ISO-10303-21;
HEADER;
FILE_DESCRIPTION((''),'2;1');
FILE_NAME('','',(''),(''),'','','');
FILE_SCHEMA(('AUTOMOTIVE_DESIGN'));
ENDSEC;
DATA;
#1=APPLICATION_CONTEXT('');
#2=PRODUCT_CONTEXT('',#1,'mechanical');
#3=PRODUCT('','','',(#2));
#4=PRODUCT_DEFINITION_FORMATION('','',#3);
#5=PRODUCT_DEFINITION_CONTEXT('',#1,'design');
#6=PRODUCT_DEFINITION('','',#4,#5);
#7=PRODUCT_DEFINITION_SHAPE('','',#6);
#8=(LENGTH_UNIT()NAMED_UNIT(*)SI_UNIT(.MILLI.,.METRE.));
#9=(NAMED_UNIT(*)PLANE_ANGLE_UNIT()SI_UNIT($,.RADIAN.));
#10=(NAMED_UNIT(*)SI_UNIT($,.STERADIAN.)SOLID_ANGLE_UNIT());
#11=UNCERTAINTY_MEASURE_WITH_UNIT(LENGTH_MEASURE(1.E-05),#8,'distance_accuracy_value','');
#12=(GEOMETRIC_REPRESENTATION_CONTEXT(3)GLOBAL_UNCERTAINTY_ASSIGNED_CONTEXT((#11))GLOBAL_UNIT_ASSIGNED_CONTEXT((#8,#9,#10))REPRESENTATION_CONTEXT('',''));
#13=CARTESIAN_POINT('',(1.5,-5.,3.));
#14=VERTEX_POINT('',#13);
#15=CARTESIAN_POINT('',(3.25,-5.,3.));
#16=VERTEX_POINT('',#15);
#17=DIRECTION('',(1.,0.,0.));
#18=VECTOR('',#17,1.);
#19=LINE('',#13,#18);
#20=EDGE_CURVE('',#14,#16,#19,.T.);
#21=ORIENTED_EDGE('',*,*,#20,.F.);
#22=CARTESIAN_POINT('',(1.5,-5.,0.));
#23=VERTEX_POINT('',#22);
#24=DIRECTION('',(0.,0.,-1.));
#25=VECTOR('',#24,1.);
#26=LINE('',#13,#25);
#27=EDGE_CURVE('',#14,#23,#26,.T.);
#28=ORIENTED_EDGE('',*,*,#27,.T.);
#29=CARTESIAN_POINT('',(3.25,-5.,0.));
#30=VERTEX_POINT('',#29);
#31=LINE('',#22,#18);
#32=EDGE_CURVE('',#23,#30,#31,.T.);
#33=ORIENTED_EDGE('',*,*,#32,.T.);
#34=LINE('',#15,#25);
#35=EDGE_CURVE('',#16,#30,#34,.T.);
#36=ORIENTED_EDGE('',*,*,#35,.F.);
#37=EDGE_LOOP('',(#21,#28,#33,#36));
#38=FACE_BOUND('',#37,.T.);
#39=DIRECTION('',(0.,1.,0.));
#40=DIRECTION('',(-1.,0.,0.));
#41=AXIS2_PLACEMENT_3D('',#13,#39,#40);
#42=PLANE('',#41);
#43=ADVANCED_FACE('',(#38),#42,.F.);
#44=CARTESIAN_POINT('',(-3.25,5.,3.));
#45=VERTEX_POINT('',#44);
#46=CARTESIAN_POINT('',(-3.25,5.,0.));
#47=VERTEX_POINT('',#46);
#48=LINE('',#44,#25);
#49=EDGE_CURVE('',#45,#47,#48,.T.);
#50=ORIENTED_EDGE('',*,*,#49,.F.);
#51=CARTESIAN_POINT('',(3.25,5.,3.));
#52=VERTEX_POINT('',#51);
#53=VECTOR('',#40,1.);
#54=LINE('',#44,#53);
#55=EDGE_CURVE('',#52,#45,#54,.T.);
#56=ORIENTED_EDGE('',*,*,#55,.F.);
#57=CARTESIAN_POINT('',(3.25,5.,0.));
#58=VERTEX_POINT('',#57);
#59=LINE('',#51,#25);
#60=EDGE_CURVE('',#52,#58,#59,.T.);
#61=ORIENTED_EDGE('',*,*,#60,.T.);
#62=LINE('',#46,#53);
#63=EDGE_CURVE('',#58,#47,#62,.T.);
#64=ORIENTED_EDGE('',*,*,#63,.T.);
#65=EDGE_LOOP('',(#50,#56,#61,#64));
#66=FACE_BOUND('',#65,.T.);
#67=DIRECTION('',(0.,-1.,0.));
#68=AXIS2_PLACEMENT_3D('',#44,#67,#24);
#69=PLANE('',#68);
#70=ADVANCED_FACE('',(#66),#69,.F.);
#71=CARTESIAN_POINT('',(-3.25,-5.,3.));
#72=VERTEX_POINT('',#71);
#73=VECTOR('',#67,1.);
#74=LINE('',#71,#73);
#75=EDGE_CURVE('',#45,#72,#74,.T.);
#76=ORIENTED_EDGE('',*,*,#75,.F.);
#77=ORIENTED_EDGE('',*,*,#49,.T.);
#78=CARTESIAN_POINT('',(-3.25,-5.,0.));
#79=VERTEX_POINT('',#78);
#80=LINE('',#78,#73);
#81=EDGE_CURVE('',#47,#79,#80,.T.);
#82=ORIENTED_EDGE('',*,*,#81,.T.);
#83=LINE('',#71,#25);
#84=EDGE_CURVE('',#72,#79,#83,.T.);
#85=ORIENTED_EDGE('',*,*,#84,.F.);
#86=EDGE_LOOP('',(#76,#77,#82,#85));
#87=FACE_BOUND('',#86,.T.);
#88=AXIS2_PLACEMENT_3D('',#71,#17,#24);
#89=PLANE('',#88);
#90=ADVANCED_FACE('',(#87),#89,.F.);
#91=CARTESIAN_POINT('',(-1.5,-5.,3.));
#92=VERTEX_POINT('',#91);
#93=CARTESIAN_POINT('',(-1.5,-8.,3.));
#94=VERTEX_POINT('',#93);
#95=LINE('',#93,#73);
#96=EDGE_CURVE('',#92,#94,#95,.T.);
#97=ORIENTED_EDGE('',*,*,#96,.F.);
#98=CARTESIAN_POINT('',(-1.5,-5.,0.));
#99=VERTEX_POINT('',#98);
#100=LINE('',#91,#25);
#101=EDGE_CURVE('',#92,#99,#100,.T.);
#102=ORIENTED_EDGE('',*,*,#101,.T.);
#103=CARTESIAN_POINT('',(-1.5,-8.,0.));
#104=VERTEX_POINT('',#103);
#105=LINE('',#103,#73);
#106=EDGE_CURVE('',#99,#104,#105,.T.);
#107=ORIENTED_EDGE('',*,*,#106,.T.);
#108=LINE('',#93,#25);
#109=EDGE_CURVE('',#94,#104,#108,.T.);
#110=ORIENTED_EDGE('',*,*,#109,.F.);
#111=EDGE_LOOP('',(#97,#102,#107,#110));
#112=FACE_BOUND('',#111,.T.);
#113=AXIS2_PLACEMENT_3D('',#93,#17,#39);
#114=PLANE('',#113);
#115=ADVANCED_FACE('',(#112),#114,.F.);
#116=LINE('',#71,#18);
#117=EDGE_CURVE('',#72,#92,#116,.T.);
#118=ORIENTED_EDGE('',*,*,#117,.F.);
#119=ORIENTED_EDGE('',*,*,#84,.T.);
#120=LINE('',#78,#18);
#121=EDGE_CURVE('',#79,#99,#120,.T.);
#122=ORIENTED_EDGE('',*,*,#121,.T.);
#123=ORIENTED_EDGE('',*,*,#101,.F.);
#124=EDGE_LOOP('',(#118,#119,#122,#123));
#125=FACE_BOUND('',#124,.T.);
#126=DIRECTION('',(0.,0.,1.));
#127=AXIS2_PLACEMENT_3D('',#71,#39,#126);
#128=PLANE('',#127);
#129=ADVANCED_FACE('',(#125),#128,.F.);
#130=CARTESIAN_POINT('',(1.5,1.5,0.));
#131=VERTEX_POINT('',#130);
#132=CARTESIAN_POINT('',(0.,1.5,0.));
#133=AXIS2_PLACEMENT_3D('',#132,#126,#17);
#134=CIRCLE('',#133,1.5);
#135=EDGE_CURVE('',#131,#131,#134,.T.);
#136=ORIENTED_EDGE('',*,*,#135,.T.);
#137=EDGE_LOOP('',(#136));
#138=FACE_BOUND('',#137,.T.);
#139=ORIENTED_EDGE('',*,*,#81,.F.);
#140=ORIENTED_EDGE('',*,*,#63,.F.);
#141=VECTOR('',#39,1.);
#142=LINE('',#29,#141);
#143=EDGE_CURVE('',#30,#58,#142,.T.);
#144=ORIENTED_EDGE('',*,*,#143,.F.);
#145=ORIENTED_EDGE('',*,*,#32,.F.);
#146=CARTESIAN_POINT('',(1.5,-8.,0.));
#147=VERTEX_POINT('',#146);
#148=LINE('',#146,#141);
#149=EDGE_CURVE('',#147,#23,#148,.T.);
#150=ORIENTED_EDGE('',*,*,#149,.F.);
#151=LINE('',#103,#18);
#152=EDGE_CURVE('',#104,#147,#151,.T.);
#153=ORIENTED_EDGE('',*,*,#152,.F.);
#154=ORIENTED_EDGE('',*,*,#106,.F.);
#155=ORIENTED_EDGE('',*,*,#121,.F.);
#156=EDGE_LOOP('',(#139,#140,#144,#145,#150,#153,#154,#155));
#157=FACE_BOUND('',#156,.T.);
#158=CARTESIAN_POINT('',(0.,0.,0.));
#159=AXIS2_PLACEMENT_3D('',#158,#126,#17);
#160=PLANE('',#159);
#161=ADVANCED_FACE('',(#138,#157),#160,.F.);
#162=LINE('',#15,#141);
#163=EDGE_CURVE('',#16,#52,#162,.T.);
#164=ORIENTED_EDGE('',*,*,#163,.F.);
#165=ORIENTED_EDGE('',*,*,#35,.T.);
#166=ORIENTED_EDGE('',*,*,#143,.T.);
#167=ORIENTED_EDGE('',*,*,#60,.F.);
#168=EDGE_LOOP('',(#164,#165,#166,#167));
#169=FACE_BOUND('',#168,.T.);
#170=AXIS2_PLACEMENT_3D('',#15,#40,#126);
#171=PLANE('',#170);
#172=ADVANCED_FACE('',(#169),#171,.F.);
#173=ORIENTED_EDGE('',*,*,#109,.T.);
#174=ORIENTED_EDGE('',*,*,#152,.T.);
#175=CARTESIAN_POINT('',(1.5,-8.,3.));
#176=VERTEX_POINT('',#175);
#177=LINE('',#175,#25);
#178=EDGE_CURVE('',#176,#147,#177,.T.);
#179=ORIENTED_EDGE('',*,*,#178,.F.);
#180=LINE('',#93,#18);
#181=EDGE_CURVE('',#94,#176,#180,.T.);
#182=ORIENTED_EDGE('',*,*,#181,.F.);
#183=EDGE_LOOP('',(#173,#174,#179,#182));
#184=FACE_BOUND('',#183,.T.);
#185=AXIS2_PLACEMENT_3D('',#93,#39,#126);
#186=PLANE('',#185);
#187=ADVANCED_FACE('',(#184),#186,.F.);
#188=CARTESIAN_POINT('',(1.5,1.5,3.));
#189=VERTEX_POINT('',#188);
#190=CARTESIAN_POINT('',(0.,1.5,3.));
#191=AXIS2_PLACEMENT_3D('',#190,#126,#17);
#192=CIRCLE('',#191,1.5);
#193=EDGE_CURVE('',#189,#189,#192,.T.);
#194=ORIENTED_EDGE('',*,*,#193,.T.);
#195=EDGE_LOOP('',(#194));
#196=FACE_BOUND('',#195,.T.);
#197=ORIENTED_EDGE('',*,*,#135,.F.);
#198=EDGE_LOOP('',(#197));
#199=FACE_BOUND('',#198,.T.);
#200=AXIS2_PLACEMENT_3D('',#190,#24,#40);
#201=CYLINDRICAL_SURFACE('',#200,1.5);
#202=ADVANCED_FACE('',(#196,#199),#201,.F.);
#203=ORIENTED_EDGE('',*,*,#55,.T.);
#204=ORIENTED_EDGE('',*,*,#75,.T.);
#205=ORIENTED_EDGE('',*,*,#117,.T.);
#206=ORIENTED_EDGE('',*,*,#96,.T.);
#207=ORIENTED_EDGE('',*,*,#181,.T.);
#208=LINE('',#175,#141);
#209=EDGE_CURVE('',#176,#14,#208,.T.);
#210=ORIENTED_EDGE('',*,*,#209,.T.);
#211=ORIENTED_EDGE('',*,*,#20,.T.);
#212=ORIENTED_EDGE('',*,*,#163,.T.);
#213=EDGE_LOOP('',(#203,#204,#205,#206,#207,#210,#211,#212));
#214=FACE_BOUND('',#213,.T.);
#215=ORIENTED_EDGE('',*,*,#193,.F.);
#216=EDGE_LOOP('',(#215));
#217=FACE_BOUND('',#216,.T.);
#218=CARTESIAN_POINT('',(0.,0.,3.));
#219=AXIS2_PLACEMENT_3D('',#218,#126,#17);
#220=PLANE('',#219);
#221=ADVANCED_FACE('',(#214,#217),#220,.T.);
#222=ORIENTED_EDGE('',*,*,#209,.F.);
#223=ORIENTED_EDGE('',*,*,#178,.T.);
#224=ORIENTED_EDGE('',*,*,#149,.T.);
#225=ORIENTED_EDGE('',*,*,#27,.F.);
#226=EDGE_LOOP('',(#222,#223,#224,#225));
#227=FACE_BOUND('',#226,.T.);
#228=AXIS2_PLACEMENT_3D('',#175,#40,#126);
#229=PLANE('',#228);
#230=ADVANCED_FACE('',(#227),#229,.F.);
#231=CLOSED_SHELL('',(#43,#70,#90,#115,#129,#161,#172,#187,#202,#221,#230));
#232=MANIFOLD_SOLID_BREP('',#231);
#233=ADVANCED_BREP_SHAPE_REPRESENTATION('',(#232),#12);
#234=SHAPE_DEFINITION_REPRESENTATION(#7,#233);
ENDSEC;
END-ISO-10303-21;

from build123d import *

# Parameters (mm, degrees)
CROQUIS2_R              = 1.5
SALIENTE_EXTRUIR1_DEPTH = 3


with BuildPart() as part:
    # Croquis2 → Saliente-Extruir1 (new body)
    with BuildSketch(Plane.XY):
        Polygon((-3.25, -5), (-3.25, 5), (3.25, 5), (3.25, -5), (1.5, -5), (1.5, -8), (-1.5, -8), (-1.5, -5), align=None)
        with Locations((0, 1.5)):
            Circle(CROQUIS2_R, mode=Mode.SUBTRACT)
    extrude(amount=SALIENTE_EXTRUIR1_DEPTH)


solid = part.part
